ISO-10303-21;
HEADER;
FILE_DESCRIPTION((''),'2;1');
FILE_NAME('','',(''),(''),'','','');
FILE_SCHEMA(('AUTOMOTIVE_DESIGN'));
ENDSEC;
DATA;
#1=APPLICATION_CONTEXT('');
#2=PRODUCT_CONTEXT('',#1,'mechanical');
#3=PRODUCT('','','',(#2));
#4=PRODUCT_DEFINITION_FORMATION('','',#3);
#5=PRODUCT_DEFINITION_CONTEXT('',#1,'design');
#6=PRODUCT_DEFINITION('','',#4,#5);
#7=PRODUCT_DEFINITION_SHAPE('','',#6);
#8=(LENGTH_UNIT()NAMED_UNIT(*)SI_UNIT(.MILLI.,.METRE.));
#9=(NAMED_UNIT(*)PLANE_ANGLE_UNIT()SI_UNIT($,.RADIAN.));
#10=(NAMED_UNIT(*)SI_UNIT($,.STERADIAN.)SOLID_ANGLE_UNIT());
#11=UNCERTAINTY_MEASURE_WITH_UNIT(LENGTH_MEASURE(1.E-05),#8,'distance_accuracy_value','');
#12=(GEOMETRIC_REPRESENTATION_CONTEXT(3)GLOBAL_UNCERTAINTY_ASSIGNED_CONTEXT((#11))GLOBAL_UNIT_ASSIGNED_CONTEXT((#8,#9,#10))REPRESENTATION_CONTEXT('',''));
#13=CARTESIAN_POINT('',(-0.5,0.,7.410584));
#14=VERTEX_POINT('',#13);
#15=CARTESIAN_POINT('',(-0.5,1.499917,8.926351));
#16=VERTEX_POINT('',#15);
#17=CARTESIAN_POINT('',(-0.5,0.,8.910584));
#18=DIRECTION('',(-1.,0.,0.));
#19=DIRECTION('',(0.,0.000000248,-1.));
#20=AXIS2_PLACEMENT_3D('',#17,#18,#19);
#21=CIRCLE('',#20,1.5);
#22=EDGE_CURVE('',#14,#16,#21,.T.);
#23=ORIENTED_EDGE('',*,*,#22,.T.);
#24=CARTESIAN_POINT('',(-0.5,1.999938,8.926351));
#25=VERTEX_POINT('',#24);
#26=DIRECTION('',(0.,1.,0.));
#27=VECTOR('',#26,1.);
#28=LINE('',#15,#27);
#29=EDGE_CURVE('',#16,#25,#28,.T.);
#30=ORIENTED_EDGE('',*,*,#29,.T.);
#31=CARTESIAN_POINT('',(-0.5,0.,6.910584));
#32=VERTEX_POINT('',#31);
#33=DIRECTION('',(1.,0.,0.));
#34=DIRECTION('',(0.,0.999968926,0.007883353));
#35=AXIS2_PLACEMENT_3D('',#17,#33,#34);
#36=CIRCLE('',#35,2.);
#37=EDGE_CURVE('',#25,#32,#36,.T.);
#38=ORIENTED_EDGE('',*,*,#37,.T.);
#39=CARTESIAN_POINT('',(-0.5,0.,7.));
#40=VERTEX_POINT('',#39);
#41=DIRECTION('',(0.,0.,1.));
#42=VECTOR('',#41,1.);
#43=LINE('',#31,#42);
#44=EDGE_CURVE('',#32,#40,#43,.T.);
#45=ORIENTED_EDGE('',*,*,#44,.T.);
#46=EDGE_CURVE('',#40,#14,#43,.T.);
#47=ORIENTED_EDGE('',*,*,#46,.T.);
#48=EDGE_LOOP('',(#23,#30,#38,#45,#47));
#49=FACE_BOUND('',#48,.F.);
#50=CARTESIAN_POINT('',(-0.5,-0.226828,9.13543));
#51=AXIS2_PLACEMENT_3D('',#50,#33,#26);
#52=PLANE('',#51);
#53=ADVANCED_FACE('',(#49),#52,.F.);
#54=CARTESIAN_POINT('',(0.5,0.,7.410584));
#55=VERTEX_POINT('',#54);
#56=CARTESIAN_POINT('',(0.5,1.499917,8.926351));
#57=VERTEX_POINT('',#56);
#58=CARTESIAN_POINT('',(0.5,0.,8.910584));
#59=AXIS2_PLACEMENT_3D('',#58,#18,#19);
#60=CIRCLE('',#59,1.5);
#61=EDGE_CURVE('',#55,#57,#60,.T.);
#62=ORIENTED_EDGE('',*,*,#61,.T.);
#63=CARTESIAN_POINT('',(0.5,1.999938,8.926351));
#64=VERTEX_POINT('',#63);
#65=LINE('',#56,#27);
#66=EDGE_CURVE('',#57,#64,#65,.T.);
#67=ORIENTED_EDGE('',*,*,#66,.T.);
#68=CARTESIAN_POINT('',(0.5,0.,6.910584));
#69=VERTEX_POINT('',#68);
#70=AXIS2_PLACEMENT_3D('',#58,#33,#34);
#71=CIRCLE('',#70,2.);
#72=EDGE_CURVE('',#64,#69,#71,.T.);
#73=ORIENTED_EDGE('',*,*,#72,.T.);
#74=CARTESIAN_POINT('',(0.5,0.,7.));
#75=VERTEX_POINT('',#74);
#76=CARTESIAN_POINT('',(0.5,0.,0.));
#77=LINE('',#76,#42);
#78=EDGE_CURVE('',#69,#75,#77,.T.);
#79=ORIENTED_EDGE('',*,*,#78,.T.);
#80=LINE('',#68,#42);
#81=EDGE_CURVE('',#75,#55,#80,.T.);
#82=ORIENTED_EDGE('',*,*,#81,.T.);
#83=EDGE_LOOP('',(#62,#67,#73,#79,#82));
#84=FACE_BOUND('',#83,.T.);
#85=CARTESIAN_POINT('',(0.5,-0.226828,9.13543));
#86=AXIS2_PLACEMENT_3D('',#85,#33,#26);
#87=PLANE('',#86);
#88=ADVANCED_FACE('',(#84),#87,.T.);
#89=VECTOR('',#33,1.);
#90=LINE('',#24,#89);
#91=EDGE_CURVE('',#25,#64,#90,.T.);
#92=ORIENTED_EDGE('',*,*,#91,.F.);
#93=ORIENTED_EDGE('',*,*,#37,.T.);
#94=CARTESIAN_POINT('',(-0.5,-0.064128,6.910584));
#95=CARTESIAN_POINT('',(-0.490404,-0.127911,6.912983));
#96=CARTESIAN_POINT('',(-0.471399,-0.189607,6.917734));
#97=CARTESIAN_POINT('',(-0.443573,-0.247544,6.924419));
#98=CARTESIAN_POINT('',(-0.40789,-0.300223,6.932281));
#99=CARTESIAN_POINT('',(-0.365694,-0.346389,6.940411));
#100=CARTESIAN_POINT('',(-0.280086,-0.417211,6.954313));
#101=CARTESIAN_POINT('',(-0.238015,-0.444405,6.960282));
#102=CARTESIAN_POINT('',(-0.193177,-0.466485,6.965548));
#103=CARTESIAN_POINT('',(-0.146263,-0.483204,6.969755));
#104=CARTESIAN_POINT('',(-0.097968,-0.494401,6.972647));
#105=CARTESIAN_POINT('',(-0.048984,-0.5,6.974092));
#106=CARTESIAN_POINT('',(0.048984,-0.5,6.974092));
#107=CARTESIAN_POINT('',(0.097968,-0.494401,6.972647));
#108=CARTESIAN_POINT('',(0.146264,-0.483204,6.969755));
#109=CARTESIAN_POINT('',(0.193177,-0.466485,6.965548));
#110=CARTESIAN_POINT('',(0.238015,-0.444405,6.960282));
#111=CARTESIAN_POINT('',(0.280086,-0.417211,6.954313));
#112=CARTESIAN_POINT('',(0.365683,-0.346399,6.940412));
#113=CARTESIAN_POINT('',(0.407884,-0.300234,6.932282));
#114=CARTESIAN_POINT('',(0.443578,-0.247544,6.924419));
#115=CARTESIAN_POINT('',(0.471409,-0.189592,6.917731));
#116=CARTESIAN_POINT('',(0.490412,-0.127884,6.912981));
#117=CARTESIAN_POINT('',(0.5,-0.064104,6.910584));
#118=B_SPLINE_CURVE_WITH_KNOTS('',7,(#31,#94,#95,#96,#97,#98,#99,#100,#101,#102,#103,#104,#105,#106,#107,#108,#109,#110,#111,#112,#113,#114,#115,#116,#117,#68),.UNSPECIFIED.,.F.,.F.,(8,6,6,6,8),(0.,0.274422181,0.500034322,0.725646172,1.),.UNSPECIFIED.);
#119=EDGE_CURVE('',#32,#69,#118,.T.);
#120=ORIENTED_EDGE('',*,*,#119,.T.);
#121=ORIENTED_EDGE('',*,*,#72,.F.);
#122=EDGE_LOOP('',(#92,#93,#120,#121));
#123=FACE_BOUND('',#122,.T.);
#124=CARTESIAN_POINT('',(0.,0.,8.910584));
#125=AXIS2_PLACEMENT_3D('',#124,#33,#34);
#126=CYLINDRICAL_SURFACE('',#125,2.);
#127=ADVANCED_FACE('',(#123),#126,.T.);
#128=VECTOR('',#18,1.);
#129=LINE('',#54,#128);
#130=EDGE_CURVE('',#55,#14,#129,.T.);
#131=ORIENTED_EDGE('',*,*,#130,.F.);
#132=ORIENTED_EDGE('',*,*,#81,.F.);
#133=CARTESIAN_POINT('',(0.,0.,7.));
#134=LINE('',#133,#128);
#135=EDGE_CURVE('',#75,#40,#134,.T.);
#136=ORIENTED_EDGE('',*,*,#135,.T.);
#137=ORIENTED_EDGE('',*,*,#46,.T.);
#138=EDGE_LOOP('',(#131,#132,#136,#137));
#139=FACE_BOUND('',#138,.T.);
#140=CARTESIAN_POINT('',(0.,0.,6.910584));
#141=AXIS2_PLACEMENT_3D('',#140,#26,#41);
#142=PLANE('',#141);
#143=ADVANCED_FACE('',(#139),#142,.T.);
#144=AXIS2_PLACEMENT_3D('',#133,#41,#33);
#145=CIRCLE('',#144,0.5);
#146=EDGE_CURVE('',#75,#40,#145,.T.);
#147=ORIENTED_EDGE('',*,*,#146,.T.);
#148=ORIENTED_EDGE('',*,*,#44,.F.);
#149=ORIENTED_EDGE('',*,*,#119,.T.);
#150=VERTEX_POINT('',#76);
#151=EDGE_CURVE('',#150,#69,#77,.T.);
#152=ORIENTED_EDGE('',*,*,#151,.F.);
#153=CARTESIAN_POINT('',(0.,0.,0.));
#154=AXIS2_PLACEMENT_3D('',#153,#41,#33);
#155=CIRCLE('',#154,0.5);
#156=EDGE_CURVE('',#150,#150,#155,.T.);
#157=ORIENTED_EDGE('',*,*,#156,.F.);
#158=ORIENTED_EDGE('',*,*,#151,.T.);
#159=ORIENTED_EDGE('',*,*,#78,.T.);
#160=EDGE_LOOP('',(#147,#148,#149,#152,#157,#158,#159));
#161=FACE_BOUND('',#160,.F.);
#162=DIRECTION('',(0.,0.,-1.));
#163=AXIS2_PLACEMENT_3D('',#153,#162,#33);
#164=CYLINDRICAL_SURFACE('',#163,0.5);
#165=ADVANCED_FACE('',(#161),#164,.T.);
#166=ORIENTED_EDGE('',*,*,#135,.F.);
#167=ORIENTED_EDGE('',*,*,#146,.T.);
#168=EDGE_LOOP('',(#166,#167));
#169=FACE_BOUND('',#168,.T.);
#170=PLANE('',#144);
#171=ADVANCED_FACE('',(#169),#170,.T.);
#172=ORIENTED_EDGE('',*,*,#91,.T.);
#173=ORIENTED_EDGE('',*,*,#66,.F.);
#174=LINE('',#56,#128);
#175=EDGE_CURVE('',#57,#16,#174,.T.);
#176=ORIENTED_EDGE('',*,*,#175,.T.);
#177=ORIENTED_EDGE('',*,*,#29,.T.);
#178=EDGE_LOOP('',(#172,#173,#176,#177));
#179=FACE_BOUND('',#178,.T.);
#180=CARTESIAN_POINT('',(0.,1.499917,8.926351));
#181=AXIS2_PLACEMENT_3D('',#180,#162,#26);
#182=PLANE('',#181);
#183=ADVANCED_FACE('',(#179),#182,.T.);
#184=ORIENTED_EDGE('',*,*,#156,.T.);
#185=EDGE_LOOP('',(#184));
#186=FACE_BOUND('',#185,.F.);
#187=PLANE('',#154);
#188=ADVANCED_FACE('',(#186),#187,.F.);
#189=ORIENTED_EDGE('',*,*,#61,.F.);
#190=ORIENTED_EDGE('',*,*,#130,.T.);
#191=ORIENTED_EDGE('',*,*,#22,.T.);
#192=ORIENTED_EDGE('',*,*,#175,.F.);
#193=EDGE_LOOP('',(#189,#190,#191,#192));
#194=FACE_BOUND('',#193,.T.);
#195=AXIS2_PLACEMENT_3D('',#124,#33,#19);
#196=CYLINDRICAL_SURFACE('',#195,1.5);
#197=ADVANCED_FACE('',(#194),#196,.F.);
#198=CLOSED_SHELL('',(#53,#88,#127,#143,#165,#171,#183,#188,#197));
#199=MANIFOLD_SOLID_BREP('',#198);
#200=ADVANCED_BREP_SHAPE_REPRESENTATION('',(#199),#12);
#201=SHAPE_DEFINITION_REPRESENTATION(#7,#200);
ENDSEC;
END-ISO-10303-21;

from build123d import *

# Parameters (mm, degrees)
F0_R     = 0.5
F1_DEPTH = 7
F3_DEPTH = 0.5


with BuildPart() as f1:
    # F0 (on Top) → F1 (new body)
    with BuildSketch(Plane.XY):
        Circle(F0_R)
    extrude(amount=F1_DEPTH)

    # F2 (on Right) → F3 (join, symmetric)
    with BuildSketch(Plane.YZ):
        with BuildLine():
            Line((1.499917, 8.926351), (1.999938, 8.926351))
            ThreePointArc((1.999938, 8.926351), (-1.419777, 10.319213), (0, 6.910584))
            Line((0, 6.910584), (0, 7.410584))
            ThreePointArc((0, 7.410584), (-1.06622, 9.965656), (1.499917, 8.926351))
        make_face()
    extrude(amount=F3_DEPTH, both=True)


solid = f1.part
